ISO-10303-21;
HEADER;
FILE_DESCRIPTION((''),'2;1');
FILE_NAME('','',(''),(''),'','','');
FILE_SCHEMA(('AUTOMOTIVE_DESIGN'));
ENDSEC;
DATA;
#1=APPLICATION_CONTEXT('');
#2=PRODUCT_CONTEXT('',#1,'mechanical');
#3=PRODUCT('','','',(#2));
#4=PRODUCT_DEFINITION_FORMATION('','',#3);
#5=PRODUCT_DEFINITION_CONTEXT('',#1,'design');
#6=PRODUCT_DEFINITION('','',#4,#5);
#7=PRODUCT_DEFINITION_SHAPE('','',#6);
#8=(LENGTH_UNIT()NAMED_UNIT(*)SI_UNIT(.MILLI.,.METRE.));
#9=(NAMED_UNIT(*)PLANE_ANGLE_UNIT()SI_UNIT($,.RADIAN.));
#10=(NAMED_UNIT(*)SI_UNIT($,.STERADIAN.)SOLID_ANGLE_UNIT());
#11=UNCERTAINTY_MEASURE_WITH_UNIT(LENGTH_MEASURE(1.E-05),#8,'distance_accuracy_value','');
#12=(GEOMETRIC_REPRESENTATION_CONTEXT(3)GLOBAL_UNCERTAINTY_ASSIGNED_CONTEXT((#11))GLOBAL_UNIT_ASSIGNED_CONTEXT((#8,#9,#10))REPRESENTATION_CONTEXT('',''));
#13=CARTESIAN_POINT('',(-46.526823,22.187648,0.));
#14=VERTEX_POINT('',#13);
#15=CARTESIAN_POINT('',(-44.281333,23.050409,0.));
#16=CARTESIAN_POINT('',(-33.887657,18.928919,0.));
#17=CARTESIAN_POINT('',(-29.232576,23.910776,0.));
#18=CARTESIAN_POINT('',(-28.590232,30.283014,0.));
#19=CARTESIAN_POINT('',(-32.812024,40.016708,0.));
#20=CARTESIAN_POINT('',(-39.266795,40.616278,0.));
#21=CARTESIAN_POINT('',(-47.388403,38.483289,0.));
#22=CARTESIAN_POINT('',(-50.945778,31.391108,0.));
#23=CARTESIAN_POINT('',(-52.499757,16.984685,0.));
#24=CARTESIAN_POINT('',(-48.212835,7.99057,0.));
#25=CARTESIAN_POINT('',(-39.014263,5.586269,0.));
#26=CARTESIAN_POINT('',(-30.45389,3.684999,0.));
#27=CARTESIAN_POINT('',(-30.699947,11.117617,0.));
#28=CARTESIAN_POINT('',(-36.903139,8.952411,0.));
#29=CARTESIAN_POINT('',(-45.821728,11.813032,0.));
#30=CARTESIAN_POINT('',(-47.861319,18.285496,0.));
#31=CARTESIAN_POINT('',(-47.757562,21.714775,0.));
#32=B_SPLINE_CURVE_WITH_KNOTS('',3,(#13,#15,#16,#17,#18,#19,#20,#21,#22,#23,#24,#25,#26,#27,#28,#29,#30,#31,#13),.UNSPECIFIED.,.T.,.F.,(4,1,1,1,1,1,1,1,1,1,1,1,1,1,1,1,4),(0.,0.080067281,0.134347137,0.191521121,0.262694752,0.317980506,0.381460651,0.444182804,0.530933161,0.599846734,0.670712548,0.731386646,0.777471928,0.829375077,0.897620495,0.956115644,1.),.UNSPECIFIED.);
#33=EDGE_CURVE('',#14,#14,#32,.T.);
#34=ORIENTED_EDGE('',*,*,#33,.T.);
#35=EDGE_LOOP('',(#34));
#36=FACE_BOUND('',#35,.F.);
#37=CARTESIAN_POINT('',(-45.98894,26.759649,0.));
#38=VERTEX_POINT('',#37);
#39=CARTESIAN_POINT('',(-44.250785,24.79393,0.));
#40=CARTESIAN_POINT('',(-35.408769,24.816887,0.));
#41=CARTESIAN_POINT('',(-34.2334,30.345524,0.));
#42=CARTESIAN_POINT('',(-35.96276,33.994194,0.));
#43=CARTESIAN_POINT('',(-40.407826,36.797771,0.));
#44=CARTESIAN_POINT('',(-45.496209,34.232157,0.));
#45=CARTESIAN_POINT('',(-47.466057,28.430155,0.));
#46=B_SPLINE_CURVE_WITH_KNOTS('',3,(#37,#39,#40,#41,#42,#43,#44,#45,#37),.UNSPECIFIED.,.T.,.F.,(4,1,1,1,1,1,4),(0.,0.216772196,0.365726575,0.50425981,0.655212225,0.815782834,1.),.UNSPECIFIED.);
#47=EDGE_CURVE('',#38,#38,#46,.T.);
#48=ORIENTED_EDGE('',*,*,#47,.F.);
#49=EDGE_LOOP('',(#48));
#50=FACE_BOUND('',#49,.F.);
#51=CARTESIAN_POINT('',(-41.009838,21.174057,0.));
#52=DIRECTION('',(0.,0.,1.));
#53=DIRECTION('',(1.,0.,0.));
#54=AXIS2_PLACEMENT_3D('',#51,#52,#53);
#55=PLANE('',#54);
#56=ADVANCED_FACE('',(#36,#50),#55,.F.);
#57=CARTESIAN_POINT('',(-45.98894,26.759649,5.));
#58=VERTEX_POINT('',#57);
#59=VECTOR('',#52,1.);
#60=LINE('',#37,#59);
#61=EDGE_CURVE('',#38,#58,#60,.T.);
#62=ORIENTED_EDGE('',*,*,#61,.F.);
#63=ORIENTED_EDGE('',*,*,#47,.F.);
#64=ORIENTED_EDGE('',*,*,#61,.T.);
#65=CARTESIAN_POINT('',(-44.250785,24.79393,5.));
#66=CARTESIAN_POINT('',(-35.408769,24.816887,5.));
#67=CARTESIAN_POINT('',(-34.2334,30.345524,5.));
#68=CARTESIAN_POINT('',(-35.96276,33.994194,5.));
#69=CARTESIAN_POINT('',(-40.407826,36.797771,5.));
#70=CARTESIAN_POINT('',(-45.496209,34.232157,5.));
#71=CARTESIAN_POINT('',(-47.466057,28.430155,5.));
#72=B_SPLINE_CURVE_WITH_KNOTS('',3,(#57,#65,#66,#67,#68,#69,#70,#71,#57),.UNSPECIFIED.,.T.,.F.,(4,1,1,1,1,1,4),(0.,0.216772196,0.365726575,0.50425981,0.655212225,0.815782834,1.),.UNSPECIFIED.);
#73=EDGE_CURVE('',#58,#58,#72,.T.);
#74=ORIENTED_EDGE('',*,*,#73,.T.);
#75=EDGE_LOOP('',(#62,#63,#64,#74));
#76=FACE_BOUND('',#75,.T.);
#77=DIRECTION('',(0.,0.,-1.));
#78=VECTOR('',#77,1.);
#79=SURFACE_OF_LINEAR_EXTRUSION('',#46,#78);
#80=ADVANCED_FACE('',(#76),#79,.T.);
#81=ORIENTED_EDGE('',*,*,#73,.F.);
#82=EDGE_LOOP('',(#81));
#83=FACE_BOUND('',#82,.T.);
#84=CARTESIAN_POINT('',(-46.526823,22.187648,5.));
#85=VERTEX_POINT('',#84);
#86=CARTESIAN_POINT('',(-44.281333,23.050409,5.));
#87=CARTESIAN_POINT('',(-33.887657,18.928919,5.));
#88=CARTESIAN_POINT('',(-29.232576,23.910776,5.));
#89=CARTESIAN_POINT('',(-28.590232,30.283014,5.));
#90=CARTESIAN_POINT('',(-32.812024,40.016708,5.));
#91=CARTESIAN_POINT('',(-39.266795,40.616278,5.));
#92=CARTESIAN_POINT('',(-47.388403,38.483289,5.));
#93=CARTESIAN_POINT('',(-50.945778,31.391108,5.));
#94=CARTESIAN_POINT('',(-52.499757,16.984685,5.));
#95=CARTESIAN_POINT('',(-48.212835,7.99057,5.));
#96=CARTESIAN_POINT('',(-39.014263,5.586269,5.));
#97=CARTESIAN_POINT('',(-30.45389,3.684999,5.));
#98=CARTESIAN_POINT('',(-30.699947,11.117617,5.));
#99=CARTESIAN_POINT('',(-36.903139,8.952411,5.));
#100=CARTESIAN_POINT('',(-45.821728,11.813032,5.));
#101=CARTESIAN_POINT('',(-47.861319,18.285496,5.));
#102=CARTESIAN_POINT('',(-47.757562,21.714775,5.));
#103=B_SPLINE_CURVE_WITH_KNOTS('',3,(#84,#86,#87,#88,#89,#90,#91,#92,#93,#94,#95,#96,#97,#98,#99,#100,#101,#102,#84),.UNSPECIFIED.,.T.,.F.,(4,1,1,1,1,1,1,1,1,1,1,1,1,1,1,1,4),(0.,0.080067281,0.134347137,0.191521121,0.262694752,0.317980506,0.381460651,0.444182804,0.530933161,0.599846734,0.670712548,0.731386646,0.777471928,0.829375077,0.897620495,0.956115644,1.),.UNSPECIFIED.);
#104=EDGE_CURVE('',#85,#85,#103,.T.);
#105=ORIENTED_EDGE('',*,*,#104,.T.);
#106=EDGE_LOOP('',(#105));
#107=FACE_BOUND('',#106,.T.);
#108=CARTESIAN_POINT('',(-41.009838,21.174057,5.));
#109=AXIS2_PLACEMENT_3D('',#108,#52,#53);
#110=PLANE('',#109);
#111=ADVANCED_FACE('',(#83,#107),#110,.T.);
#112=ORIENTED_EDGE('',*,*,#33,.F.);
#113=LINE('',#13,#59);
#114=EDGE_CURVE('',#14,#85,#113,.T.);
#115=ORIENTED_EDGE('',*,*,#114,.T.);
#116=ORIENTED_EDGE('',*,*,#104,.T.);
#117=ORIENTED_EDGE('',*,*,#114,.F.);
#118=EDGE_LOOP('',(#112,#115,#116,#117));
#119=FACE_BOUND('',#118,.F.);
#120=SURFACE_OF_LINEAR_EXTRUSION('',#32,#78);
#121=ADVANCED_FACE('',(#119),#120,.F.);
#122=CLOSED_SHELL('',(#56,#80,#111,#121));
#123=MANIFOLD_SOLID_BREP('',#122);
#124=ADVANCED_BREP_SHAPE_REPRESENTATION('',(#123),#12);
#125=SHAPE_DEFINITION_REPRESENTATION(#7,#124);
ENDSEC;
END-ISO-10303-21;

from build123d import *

# Parameters (mm, degrees)
F1_DEPTH = 5


with BuildPart() as f1:
    # F0 (on Top) → F1 (new body)
    with BuildSketch(Plane.XY):
        with BuildLine():
            add(Edge.make_bspline(
                [(-46.5268231928, 22.1876483411), (-44.2813332315, 23.0504087058), (-33.8876573121, 18.9289192772), (-29.232575576, 23.9107758023), (-28.5902317667, 30.2830139226), (-32.8120240581, 40.0167076487), (-39.2667947401, 40.616277769), (-47.3884027103, 38.4832894809), (-50.9457776527, 31.3911079066), (-52.4997572546, 16.9846848468), (-48.212834779, 7.9905696261), (-39.0142626034, 5.5862690794), (-30.4538901883, 3.6849989863), (-30.6999465022, 11.1176174703), (-36.9031392606, 8.9524111384), (-45.821727656, 11.8130316209), (-47.8613188159, 18.2854961136), (-47.7575616468, 21.7147749924), (-46.5268231928, 22.1876483411)],
                knots=[0, 0, 0, 0, 0.0800672808, 0.1343471369, 0.1915211214, 0.262694752, 0.3179805065, 0.3814606506, 0.4441828038, 0.5309331614, 0.5998467342, 0.6707125483, 0.7313866462, 0.7774719278, 0.8293750767, 0.8976204947, 0.9561156438, 1, 1, 1, 1], degree=3))
        make_face()
        with BuildLine():
            add(Edge.make_bspline(
                [(-45.9889397025, 26.7596486956), (-44.250784591, 24.7939295404), (-35.4087691483, 24.8168868749), (-34.2334002906, 30.345523785), (-35.9627599261, 33.9941943716), (-40.407826433, 36.7977707393), (-45.4962088235, 34.2321574429), (-47.4660572238, 28.4301545019), (-45.9889397025, 26.7596486956)],
                knots=[0, 0, 0, 0, 0.2167721961, 0.3657265746, 0.5042598104, 0.6552122252, 0.8157828338, 1, 1, 1, 1], degree=3))
        make_face(mode=Mode.SUBTRACT)
    extrude(amount=F1_DEPTH)


solid = f1.part
